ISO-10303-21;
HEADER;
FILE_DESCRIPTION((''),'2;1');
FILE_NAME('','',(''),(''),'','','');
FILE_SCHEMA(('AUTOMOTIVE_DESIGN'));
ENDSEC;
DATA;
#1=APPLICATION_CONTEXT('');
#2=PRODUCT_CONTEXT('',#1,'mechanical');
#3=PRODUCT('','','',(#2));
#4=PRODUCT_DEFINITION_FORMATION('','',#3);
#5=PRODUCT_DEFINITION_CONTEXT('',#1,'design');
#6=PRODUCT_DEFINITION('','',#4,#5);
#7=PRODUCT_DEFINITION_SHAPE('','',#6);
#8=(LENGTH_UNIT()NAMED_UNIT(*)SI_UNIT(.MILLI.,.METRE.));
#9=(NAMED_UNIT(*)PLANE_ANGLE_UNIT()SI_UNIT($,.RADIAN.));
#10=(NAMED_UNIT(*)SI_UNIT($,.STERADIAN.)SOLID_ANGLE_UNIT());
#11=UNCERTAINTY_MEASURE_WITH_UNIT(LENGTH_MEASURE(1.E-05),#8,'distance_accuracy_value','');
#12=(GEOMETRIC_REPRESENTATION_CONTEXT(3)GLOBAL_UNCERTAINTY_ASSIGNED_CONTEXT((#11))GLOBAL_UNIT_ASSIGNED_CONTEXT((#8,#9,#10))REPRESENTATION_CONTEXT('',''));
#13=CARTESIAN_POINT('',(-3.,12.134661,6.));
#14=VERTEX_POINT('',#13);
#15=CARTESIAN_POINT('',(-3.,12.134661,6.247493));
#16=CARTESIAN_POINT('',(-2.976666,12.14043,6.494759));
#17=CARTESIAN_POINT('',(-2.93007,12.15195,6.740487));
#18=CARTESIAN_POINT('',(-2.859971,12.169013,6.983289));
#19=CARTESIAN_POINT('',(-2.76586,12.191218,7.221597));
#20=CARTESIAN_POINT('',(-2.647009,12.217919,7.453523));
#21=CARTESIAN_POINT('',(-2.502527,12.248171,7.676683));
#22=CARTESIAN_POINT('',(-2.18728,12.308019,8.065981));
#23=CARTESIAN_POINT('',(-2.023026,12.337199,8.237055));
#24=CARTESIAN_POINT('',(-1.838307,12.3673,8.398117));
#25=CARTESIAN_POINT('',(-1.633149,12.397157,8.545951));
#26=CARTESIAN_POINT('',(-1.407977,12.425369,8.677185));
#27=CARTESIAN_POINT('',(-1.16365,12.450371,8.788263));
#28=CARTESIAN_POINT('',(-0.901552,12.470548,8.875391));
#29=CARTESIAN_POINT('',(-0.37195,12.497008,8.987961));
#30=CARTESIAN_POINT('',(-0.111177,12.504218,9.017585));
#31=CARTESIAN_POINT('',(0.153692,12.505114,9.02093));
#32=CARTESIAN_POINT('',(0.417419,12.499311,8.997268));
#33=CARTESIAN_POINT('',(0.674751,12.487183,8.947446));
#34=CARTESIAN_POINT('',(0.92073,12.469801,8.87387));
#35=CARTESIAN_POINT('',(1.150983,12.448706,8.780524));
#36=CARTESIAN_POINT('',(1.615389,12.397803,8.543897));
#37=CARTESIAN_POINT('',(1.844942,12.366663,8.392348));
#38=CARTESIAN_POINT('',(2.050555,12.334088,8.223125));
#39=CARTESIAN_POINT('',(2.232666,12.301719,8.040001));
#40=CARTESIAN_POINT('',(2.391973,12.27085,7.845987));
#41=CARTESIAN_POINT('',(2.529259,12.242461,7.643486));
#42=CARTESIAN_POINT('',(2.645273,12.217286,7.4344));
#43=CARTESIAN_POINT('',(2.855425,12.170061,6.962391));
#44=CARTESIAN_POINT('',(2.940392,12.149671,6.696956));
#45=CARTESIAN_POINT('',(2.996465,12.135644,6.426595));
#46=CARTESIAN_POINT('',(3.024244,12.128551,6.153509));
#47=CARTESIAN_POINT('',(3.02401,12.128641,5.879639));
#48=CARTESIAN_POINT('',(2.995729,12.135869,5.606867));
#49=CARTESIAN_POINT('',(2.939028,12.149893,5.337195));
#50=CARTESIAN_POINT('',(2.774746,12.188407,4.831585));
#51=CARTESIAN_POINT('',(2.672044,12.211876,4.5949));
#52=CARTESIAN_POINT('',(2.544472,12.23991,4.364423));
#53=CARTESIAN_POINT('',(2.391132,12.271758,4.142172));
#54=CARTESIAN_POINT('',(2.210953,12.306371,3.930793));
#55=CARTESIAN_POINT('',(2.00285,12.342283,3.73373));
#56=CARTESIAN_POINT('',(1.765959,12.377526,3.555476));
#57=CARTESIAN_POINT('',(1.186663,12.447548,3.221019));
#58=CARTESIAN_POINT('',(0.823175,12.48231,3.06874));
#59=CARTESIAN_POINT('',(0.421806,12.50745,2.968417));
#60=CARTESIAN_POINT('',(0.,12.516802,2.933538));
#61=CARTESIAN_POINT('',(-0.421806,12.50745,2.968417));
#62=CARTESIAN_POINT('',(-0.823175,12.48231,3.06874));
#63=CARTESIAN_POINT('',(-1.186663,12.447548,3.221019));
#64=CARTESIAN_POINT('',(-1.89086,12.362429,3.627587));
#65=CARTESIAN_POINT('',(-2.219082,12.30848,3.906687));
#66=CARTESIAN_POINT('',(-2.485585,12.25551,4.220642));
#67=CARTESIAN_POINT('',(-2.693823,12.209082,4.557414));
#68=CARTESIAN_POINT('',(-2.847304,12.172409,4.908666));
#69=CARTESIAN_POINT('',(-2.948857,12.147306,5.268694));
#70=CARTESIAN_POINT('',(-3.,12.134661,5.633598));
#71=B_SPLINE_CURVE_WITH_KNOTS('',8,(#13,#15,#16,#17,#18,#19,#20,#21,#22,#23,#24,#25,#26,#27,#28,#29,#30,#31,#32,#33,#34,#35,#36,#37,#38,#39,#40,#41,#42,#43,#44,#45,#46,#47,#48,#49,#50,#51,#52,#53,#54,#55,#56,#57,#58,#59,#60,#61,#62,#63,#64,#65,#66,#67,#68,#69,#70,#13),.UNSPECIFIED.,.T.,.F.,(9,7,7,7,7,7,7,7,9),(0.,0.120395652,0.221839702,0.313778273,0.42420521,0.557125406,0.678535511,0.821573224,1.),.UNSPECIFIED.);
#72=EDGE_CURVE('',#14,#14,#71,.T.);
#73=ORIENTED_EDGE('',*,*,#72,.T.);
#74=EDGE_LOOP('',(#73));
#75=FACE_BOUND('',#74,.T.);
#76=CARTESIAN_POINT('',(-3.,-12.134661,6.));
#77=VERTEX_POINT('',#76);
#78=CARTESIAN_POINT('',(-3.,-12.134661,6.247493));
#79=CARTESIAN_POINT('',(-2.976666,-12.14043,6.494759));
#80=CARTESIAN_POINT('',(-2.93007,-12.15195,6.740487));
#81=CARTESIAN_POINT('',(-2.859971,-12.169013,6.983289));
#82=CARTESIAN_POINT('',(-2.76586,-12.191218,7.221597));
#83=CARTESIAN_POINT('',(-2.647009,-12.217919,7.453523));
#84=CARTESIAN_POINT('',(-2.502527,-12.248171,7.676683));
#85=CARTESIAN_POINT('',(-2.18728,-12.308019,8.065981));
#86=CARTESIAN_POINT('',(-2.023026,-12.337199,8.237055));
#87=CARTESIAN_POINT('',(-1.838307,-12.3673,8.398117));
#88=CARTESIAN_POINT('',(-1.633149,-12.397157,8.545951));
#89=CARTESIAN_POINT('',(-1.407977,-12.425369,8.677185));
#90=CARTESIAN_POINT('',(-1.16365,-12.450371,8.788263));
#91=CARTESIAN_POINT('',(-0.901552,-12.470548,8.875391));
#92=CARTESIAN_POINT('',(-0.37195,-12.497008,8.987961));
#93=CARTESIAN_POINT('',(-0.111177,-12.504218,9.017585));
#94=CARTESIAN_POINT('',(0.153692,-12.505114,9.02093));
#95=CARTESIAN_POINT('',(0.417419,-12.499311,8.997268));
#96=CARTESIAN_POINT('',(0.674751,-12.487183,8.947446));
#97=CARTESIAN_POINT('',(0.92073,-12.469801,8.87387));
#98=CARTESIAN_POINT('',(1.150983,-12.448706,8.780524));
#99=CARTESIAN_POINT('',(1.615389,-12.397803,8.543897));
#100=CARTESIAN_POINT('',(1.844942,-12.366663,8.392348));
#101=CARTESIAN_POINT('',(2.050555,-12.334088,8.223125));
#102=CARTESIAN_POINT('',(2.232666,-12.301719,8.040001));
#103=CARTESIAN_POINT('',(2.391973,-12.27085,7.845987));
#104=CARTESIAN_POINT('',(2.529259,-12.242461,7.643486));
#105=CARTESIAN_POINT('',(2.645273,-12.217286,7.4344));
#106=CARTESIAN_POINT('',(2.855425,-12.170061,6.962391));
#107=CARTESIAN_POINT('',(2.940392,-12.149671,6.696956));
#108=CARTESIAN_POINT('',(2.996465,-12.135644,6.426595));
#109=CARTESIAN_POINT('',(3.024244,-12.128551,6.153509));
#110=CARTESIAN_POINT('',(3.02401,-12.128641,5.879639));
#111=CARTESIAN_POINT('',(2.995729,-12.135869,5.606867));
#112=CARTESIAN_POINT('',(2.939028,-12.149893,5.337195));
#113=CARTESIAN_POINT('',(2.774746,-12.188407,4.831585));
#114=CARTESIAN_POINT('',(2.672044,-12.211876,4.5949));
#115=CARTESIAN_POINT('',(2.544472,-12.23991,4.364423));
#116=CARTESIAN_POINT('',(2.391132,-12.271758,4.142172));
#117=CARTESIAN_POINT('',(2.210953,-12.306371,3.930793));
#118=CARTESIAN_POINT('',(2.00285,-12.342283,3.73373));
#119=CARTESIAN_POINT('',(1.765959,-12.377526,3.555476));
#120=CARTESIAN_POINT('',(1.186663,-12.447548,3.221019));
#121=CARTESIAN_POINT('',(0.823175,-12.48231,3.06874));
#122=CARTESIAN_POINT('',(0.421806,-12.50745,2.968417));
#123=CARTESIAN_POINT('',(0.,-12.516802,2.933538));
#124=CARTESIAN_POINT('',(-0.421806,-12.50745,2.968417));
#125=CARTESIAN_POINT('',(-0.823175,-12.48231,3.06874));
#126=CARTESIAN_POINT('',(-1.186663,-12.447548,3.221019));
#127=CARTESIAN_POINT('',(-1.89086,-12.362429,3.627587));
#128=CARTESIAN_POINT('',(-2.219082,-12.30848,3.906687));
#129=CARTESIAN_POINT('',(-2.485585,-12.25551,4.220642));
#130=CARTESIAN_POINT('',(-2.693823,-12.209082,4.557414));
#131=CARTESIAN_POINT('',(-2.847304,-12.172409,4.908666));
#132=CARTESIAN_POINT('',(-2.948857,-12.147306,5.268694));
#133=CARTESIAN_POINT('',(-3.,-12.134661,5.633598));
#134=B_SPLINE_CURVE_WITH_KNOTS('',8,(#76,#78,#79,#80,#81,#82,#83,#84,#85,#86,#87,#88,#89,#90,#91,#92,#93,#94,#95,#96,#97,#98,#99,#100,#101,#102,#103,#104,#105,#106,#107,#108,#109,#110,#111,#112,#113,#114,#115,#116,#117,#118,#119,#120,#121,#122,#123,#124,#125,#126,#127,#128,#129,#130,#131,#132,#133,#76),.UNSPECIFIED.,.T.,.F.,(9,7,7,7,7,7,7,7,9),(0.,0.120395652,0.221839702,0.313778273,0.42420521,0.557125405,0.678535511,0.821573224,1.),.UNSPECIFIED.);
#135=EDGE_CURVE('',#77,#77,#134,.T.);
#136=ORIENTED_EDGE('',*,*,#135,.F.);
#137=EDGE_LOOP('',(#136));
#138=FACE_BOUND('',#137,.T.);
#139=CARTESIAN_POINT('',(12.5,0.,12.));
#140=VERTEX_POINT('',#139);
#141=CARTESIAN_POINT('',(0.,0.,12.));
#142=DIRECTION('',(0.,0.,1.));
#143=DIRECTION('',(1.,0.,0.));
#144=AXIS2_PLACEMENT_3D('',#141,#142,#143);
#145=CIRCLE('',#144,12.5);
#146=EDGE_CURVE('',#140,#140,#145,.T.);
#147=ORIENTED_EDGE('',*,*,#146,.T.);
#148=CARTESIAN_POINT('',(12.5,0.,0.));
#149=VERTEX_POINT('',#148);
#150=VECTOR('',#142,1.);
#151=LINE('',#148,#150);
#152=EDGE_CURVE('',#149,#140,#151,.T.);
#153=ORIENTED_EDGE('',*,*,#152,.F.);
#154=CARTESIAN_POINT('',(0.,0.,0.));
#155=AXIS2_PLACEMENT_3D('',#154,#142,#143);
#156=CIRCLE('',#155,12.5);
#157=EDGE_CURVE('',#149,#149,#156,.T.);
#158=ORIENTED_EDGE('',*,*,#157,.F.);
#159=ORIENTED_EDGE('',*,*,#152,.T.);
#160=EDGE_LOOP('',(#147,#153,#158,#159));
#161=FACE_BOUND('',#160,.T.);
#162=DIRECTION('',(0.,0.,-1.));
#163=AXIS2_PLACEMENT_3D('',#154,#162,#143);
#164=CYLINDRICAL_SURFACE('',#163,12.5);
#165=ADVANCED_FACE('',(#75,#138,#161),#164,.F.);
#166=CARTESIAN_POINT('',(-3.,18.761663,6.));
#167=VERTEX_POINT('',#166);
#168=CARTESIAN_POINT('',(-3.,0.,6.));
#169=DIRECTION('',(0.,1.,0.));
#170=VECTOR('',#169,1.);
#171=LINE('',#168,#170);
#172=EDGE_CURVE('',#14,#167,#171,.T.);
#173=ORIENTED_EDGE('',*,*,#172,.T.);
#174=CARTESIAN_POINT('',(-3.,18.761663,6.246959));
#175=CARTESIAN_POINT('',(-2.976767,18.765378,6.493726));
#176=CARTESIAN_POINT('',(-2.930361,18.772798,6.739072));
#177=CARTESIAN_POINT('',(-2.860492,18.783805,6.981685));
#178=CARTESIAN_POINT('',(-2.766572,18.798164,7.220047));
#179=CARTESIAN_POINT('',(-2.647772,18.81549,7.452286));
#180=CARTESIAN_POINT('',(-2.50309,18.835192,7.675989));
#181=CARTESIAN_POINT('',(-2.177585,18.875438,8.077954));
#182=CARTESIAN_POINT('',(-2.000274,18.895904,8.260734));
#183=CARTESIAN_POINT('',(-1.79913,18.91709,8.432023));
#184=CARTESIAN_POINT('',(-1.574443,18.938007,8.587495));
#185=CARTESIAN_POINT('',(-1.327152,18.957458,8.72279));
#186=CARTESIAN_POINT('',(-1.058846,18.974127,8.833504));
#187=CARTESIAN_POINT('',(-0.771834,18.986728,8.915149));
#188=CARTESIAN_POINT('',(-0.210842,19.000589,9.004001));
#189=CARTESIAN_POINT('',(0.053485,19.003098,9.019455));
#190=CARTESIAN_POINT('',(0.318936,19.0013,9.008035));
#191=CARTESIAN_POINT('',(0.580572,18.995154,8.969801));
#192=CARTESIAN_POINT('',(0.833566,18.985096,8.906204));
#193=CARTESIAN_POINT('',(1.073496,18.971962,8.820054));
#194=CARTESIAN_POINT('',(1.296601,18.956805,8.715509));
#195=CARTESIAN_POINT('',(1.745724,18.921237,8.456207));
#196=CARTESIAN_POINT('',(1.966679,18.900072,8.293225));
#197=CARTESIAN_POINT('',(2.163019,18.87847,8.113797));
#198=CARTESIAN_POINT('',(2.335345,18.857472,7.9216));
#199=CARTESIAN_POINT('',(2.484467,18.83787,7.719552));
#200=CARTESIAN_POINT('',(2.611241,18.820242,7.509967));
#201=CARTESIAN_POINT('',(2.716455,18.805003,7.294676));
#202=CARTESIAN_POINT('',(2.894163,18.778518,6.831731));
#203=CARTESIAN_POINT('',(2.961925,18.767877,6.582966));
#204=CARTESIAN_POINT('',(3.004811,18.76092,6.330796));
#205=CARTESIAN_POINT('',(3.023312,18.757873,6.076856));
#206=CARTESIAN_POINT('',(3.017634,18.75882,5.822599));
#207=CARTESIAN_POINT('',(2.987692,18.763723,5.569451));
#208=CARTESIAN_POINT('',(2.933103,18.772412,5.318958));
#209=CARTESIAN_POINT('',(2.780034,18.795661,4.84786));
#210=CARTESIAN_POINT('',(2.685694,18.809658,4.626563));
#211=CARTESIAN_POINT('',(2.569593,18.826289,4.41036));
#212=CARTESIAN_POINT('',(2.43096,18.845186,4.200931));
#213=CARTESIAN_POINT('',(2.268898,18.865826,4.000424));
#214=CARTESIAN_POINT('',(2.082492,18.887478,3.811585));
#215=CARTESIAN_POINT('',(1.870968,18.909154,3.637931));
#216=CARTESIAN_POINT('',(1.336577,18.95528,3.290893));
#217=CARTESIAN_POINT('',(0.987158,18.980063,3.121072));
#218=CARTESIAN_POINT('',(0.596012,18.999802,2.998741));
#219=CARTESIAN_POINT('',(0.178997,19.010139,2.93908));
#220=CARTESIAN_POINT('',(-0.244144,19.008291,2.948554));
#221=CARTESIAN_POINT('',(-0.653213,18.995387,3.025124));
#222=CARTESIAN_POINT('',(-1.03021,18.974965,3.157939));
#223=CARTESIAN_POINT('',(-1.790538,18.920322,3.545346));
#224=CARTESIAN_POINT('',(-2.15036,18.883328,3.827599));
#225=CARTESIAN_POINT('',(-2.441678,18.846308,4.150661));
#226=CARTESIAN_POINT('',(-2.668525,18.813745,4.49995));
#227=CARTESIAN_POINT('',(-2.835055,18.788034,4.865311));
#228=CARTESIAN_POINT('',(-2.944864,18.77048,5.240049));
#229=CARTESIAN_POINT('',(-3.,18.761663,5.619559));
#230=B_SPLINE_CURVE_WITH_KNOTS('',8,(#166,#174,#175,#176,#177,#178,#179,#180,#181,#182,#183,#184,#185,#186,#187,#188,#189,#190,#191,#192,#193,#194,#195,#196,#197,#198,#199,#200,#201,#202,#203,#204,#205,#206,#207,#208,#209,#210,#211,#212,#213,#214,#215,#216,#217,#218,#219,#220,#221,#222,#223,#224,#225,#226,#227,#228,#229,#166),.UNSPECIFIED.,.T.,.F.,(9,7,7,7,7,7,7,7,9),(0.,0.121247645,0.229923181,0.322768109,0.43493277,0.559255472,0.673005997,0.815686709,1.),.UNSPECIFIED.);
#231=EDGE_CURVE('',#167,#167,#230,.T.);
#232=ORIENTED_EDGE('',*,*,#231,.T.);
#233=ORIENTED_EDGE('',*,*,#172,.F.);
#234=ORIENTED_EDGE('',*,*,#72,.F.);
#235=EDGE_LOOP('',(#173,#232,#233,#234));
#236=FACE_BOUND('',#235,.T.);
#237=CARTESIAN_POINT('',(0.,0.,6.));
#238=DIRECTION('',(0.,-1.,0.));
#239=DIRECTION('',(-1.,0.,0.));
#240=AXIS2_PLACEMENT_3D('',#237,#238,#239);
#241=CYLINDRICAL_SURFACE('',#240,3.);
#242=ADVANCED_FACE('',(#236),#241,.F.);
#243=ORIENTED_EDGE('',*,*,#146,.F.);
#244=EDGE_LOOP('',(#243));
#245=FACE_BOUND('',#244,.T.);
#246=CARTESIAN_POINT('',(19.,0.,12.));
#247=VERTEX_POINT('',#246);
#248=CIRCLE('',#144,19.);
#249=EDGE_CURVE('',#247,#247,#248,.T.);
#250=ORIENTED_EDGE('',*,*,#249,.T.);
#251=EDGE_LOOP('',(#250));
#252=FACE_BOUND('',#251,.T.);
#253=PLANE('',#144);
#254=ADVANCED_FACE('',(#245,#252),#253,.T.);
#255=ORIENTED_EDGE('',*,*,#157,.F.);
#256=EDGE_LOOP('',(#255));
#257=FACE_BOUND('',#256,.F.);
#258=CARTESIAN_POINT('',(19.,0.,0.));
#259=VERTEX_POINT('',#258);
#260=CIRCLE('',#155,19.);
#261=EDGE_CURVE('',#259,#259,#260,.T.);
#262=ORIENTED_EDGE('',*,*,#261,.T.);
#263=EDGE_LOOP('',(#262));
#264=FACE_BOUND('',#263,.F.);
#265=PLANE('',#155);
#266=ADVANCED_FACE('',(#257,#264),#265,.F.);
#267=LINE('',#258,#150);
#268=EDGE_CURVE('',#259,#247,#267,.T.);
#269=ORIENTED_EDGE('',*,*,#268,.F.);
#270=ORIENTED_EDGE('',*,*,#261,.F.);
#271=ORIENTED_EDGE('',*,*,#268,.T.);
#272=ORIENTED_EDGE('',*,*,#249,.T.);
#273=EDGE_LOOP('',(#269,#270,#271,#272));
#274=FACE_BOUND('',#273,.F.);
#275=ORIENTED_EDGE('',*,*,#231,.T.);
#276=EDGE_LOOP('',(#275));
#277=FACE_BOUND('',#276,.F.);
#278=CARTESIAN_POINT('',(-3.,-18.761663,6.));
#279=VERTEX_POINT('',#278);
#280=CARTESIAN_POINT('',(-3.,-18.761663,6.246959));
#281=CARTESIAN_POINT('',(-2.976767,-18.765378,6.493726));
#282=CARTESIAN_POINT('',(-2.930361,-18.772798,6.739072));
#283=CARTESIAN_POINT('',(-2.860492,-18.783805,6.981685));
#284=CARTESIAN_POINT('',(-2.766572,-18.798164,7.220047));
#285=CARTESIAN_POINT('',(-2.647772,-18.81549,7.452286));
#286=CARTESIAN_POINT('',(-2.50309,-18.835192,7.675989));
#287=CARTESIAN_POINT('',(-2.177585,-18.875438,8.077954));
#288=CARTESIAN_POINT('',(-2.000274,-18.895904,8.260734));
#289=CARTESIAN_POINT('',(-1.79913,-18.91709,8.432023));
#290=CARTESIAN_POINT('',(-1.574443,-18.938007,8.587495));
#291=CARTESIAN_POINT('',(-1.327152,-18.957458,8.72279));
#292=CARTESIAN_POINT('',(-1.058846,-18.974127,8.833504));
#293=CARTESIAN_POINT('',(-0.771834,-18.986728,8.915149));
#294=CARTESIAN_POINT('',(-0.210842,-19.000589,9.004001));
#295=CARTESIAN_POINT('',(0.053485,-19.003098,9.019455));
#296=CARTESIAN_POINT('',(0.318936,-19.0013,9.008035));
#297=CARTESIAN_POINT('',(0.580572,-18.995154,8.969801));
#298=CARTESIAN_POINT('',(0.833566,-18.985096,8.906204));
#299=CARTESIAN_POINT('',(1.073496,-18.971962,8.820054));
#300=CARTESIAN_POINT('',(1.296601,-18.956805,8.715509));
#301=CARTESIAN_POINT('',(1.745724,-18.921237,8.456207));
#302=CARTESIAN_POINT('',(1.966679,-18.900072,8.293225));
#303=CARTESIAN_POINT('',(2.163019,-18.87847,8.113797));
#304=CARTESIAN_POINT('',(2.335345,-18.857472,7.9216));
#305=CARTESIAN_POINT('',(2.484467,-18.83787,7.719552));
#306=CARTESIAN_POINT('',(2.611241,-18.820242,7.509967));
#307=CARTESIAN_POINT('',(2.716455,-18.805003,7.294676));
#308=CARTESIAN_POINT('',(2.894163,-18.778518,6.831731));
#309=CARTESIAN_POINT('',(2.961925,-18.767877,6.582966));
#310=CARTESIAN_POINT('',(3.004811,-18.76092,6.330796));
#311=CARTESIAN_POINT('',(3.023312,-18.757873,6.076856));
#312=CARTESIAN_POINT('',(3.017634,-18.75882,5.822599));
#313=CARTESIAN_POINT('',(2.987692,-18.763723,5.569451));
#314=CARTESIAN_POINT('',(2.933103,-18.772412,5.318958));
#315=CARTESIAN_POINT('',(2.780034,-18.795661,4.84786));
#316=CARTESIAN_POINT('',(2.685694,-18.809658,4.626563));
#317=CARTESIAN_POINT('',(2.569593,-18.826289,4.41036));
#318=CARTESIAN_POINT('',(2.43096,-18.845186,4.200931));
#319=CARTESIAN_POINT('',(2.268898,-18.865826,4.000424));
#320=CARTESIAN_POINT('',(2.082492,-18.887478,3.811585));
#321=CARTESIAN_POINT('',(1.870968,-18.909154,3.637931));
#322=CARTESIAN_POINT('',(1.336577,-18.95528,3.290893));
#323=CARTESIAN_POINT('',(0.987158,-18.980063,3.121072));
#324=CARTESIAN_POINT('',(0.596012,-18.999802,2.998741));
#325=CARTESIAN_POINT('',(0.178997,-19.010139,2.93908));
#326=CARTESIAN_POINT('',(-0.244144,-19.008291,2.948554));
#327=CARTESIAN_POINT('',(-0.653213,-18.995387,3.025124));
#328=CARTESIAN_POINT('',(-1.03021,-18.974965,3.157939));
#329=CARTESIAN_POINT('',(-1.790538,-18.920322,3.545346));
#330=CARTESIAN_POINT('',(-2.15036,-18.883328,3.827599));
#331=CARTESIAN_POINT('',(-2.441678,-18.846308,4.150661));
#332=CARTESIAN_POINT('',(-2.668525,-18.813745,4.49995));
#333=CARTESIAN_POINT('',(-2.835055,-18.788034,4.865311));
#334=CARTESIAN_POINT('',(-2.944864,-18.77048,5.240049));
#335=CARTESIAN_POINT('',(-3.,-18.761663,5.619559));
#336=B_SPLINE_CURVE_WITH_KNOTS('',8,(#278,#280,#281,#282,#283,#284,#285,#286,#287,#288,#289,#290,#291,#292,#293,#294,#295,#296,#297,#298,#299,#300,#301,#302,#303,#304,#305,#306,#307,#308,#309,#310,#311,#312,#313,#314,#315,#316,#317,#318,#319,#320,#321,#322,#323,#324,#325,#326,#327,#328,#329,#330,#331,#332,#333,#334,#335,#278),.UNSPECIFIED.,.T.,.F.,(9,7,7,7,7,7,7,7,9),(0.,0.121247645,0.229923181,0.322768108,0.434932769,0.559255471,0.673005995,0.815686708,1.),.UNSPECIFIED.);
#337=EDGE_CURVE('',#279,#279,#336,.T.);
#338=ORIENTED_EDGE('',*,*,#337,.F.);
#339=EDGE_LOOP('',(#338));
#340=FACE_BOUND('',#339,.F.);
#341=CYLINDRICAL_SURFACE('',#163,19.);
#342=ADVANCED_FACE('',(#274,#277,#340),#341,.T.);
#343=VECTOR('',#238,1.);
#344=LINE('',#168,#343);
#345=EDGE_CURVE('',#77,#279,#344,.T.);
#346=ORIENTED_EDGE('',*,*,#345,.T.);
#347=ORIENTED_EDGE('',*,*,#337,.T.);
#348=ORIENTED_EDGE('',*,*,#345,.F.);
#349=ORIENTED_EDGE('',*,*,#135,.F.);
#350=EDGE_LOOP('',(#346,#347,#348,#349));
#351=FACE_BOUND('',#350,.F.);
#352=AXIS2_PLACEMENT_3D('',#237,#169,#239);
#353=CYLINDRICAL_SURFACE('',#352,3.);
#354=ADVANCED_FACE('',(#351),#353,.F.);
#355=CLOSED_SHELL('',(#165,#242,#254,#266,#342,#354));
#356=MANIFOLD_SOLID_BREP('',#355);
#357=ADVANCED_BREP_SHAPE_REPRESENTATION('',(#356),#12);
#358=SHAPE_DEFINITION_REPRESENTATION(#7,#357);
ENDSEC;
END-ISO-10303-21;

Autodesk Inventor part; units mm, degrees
ref_plane "YZ Plane" through (0, 0, 0) normal (1, 0, 0) x (0, 1, 0)
ref_plane "XZ Plane" through (0, 0, 0) normal (0, 1, 0) x (-1, 0, 0)
ref_plane "XY Plane" through (0, 0, 0) normal (0, 0, 1) x (1, 0, 0)
sketch "Sketch1" plane through (0, 0, 0) normal (0, 0, 1) x (1, 0, 0)
  circle A0 centre (0, 0) radius 19
  circle A1 centre (0, 0) radius 12.5
  dimension "d0" = 38
  dimension "d1" = 25
extrude "Extrusion1" add sketch "Sketch1" along normal blind 12
sketch "Sketch2" plane through (0, 0, 0) normal (0, 1, 0) x (-1, 0, 0)
  circle A0 centre (0, 6) radius 3
  point P0 (0, 0)
  dimension "d4" = 6
extrude "Extrusion2" cut sketch "Sketch2" along normal through all both and the other way through all
properties part number "collar" material "Steel, Alloy"
